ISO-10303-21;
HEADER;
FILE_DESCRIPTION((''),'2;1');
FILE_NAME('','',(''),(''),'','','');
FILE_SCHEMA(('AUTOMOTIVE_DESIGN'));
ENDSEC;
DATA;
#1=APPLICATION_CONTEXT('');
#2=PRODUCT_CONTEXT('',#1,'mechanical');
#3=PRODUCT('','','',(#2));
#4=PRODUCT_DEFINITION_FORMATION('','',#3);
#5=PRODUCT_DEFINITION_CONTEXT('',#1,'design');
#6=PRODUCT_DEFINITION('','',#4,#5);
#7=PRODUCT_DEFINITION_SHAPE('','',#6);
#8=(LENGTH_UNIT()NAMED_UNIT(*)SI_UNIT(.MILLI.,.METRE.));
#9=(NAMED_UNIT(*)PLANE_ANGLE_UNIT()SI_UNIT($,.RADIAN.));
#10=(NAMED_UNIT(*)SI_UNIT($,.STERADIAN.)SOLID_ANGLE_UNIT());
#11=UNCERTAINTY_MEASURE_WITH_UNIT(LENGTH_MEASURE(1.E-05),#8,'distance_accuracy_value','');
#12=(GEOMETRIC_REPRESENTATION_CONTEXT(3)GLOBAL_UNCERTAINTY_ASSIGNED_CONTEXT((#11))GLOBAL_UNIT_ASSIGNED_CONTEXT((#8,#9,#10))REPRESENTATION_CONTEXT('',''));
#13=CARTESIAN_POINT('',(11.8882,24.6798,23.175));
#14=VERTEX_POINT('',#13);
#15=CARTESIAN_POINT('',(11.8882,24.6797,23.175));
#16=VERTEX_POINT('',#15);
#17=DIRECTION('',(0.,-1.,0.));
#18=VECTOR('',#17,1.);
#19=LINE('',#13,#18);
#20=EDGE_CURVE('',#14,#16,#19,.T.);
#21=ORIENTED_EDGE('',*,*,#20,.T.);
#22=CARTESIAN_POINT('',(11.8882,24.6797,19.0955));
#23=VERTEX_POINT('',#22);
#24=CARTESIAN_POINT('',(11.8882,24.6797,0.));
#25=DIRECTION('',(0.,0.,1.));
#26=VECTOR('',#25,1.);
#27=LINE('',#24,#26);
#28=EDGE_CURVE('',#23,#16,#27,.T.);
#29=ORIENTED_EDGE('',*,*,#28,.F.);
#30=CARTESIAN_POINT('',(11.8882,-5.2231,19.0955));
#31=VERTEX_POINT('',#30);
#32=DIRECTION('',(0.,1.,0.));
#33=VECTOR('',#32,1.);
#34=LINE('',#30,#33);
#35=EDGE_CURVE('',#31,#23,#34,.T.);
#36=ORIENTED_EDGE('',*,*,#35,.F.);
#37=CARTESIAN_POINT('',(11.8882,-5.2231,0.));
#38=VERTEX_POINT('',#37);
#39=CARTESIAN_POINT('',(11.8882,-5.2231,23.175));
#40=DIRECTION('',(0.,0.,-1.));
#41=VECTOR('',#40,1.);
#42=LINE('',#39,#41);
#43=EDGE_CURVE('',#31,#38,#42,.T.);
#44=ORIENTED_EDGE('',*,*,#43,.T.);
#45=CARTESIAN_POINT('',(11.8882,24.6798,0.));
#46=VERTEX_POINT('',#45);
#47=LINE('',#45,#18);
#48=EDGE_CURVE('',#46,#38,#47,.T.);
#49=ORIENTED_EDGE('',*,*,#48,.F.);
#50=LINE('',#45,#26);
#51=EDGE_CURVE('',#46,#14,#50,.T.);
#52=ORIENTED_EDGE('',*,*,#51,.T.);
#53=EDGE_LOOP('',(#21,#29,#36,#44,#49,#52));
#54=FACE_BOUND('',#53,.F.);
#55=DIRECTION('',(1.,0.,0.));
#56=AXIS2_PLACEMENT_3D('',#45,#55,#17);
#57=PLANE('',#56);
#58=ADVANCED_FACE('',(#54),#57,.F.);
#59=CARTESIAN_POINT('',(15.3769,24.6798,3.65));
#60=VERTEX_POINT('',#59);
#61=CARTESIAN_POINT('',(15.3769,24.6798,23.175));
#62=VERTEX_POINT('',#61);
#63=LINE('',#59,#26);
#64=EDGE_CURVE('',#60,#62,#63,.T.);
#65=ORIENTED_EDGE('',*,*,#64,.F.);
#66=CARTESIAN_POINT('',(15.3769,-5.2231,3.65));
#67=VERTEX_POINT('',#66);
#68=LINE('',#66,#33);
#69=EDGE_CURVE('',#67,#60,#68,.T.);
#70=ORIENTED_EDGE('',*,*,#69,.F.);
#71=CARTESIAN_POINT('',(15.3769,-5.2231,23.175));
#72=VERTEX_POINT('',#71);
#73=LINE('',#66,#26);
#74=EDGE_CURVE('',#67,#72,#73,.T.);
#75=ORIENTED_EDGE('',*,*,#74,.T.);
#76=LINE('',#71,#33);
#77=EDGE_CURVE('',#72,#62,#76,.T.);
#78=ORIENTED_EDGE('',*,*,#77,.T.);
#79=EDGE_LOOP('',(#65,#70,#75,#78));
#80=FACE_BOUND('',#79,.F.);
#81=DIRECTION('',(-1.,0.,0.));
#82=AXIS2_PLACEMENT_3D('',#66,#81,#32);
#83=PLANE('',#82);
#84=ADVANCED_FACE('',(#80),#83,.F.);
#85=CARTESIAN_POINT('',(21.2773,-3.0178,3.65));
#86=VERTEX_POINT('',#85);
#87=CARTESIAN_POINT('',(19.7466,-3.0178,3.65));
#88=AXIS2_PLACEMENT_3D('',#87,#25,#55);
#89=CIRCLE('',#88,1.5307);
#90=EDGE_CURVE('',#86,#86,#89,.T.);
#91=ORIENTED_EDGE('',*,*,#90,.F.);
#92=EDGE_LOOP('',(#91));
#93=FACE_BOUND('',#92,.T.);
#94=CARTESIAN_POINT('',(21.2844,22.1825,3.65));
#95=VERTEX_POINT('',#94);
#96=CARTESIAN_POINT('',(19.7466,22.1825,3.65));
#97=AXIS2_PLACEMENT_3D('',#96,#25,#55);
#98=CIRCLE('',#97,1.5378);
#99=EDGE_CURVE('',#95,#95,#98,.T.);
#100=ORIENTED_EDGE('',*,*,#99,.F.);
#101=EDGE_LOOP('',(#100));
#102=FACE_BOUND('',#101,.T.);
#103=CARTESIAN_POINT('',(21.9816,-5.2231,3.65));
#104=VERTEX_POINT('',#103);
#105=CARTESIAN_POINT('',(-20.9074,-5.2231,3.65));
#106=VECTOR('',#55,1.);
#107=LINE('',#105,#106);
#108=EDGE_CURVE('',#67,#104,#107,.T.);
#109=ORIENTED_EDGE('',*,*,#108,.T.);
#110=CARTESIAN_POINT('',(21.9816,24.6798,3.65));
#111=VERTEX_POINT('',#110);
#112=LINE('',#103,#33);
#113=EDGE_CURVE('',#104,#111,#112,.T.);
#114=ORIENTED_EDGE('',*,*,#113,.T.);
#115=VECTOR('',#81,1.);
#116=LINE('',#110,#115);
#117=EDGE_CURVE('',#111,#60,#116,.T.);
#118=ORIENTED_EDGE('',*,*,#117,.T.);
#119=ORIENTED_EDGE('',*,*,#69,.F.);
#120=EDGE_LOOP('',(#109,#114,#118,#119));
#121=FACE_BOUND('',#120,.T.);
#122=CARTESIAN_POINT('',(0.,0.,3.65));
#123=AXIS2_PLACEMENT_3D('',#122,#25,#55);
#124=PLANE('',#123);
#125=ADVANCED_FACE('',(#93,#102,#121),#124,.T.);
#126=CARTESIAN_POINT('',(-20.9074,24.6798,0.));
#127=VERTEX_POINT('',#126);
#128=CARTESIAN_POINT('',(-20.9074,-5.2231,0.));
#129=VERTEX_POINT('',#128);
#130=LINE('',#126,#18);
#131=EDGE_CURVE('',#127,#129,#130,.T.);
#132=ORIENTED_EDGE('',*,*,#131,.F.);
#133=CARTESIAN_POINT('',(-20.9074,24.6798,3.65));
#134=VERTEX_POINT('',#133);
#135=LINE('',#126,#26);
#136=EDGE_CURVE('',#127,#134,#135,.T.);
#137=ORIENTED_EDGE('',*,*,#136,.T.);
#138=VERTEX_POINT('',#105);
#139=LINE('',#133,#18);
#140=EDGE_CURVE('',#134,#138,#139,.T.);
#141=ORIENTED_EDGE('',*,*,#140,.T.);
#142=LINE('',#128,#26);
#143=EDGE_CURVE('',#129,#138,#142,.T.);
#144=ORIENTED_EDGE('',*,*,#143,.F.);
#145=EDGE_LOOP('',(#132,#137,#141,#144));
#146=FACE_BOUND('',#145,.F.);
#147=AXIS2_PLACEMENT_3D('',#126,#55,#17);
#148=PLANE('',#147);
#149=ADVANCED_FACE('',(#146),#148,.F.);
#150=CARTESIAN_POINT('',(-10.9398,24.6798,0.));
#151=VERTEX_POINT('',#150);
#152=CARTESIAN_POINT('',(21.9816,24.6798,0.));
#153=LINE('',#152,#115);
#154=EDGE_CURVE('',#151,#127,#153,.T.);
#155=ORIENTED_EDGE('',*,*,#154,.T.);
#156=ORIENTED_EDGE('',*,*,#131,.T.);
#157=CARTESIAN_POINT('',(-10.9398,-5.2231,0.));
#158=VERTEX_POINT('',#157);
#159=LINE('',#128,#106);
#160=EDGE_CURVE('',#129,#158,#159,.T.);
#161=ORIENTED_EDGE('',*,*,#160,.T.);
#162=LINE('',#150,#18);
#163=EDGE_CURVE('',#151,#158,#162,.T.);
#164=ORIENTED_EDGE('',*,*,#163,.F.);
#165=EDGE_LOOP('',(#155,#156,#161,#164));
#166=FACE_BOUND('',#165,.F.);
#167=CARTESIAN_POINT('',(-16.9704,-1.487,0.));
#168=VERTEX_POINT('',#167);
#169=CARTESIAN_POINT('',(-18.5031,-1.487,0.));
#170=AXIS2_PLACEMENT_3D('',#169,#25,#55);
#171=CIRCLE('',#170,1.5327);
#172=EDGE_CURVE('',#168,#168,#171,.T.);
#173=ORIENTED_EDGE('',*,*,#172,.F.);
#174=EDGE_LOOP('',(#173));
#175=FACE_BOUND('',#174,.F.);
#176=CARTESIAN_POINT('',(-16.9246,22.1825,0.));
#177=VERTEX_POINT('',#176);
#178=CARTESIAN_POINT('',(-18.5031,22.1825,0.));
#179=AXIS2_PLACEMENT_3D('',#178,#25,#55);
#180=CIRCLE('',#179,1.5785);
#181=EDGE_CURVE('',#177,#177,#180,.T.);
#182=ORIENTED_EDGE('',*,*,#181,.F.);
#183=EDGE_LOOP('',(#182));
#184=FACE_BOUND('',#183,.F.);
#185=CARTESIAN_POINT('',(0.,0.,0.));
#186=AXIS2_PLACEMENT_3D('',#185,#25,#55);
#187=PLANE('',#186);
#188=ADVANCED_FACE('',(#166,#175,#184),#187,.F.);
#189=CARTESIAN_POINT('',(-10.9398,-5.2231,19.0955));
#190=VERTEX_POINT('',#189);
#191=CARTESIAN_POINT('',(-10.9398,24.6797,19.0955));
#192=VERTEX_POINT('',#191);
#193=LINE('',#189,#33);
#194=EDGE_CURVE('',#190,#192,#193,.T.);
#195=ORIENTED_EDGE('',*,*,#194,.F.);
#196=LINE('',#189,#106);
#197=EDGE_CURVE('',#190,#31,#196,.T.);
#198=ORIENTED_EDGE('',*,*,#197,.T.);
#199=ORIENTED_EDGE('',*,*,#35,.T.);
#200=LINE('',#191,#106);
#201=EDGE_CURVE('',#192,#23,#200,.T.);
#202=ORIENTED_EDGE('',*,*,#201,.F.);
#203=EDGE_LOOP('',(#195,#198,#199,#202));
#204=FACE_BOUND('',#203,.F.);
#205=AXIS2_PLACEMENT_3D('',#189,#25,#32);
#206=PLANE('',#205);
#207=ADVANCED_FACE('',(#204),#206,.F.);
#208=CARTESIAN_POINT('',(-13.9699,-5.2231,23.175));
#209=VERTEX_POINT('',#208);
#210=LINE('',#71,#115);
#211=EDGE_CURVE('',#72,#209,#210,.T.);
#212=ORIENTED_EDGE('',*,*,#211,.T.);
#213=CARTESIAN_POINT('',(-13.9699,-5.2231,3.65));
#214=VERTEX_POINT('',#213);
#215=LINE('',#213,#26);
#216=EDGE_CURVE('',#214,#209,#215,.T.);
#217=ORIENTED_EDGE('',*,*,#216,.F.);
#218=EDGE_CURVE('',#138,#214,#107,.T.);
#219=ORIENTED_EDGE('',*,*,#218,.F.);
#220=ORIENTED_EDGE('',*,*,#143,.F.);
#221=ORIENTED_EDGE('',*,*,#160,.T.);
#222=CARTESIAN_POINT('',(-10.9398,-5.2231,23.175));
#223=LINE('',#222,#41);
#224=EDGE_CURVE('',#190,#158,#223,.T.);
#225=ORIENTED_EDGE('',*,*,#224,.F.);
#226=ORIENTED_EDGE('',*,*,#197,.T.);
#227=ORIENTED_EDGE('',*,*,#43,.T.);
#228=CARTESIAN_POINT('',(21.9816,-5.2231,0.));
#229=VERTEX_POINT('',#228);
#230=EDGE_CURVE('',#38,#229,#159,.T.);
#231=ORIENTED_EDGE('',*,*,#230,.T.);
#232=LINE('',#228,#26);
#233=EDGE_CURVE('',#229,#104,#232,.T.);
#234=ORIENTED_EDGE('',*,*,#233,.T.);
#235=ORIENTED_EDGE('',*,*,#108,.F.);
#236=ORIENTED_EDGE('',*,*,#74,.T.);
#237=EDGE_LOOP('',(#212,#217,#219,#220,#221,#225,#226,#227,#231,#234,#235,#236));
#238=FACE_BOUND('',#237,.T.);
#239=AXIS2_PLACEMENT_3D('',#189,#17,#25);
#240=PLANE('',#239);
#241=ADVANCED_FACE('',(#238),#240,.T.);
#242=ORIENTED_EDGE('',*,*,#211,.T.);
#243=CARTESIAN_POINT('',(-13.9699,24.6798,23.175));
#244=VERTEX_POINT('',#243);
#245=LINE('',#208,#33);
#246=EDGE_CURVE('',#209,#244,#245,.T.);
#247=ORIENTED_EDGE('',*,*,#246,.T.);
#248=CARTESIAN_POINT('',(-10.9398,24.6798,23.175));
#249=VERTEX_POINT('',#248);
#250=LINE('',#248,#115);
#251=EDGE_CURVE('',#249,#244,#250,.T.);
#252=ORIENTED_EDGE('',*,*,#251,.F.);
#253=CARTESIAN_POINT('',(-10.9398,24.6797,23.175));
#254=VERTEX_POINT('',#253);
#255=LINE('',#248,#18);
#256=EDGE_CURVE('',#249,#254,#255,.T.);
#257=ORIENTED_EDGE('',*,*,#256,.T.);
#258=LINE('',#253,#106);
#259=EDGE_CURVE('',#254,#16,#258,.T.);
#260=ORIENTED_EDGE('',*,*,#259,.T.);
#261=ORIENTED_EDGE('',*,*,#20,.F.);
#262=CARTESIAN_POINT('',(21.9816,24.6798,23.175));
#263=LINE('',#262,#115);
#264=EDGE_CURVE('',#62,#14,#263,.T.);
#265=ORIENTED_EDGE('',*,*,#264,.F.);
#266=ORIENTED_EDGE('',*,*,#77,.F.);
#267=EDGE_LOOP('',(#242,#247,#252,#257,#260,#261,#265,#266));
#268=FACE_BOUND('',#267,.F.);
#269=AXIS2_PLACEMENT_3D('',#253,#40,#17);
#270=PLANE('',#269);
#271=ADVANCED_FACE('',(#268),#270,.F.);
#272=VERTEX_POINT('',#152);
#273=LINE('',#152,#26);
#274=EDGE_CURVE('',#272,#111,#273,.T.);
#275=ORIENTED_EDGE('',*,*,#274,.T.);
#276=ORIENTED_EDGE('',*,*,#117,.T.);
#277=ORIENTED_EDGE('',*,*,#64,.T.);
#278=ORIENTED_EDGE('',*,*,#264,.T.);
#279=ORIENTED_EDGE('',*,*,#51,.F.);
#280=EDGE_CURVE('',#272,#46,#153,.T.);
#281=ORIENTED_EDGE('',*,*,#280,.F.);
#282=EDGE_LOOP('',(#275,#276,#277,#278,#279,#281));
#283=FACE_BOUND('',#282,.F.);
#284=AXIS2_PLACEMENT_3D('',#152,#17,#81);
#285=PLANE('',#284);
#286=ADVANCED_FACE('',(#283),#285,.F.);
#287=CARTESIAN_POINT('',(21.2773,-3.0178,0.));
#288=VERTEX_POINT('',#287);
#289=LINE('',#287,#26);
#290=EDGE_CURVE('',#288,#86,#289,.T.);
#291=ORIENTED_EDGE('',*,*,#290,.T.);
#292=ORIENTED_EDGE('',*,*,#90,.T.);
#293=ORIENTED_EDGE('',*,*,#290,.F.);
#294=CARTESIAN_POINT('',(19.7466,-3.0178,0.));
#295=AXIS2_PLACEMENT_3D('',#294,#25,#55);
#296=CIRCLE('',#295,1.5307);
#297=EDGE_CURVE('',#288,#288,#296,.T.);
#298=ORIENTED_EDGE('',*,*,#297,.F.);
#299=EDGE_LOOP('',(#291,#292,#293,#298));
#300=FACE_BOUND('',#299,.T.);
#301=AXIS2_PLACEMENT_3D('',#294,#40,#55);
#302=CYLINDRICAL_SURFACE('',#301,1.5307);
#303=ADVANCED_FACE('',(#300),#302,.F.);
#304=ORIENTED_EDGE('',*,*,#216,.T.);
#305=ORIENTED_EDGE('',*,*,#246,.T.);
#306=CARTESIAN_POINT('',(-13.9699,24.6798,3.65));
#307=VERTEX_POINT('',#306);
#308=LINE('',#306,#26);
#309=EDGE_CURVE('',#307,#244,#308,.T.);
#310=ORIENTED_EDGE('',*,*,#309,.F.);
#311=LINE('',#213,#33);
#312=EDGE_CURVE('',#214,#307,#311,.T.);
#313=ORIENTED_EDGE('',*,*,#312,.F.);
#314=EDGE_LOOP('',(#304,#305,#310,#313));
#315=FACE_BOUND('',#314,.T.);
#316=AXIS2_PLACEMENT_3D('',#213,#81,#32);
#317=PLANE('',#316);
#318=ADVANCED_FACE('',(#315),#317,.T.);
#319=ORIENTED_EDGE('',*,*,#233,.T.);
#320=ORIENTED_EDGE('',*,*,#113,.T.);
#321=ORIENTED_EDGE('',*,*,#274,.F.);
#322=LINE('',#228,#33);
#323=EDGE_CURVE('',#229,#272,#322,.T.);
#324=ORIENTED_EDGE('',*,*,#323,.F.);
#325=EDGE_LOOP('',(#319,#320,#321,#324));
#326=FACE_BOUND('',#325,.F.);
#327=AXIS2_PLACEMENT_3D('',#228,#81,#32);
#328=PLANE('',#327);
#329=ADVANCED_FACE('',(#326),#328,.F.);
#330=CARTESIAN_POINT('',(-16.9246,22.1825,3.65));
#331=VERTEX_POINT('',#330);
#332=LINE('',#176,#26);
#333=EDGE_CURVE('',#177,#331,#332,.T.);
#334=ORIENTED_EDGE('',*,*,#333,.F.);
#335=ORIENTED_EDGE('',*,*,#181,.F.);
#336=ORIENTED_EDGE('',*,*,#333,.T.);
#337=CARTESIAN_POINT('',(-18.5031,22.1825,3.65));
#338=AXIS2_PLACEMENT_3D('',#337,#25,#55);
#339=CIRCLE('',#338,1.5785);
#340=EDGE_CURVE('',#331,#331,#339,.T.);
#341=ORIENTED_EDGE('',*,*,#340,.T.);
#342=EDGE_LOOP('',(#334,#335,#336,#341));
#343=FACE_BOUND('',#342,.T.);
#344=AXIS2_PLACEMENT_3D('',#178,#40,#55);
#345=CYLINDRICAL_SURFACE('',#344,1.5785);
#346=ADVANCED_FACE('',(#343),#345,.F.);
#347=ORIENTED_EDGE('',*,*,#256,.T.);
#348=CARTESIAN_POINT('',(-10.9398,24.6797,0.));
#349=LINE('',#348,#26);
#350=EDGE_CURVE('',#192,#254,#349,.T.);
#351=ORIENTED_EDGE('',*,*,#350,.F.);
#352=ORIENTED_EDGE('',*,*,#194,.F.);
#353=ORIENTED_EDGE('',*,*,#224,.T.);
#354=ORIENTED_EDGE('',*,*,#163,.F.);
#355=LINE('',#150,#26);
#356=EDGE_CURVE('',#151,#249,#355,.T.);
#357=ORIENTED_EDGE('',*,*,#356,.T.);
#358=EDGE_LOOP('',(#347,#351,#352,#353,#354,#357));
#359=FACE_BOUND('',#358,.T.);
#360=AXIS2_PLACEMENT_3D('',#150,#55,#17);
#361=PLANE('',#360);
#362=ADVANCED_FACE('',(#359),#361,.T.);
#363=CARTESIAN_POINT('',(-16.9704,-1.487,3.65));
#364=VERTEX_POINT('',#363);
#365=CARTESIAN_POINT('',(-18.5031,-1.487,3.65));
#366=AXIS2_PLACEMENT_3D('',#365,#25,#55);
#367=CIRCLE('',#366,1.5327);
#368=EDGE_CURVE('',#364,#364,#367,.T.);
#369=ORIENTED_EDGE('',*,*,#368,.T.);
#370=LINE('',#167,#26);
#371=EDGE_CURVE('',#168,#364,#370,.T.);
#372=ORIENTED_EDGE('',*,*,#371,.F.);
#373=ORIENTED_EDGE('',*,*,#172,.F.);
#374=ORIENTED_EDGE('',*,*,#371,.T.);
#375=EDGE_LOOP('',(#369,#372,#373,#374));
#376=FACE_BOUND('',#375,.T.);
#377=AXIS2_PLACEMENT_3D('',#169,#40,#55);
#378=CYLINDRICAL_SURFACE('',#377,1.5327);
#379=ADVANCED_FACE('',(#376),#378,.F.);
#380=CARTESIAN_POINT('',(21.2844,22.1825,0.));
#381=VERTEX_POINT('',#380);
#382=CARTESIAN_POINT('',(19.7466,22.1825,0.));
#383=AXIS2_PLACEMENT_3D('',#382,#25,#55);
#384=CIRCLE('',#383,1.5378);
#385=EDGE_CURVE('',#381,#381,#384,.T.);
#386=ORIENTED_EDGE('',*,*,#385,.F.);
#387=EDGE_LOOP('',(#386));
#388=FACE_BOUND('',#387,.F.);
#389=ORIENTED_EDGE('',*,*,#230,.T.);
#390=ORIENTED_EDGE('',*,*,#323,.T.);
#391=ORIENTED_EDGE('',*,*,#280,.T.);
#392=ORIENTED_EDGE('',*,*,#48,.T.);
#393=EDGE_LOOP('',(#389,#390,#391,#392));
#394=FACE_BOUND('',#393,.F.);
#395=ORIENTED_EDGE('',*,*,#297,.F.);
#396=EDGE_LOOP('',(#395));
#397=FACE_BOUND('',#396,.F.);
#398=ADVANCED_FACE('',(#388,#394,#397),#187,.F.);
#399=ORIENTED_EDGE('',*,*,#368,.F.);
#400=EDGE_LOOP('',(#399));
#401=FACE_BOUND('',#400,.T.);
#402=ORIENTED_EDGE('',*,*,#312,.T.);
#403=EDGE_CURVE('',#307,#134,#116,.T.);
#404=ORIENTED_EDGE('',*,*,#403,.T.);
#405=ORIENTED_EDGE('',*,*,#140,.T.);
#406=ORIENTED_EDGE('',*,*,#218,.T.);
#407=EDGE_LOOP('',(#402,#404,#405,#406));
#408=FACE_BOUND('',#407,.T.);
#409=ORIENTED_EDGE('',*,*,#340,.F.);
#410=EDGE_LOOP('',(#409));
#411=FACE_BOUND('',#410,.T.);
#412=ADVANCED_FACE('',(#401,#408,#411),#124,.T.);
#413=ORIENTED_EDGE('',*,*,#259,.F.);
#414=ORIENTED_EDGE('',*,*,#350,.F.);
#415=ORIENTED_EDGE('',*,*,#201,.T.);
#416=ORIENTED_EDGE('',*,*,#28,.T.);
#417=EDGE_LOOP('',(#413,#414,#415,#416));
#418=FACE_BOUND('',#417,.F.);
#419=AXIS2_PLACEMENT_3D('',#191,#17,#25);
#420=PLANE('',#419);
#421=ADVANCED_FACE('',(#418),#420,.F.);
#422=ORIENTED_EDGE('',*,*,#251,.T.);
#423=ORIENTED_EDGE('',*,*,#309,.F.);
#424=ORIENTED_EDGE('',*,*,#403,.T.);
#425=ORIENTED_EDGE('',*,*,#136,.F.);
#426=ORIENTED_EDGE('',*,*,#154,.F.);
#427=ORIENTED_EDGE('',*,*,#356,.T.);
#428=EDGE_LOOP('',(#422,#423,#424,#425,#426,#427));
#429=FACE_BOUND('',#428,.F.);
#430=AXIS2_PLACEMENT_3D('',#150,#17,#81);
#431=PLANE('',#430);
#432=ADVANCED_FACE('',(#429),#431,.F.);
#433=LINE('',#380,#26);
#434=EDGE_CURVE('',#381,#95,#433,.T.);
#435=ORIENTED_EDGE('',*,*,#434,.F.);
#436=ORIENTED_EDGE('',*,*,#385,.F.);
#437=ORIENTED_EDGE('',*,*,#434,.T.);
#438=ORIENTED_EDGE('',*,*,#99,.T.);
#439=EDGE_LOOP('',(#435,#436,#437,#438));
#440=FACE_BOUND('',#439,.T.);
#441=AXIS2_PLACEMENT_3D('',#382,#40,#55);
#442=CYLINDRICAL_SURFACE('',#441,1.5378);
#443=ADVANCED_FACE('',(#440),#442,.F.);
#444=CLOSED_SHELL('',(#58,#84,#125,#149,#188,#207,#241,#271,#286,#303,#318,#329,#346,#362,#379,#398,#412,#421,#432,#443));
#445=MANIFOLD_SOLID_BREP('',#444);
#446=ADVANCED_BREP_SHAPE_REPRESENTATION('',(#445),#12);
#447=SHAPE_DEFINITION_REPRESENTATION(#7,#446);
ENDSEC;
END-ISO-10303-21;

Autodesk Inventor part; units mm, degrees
ref_plane "YZ Plane" through (0, 0, 0) normal (1, 0, 0) x (0, 1, 0)
ref_plane "XZ Plane" through (0, 0, 0) normal (0, 1, 0) x (-1, 0, 0)
ref_plane "XY Plane" through (0, 0, 0) normal (0, 0, 1) x (1, 0, 0)
ref_plane "Work Plane1" through (0, 0, 0) normal (0, 0, 1) x (1, 0, 0)
sketch "Sketch1" plane through (0, 0, 0) normal (0, 0, 1) x (1, 0, 0)
  line L0 (21.9816, 24.6798) -> (-20.9074, 24.6798)
  line L1 (-20.9074, 24.6798) -> (-20.9074, -5.2231)
  line L2 (-20.9074, -5.2231) -> (21.9816, -5.2231)
  line L3 (21.9816, -5.2231) -> (21.9816, 24.6798)
  line L4 (-10.9398, 24.6798) -> (-10.9398, -5.2231)
  line L5 (11.8882, 24.6798) -> (11.8882, -5.2231)
  circle A0 centre (19.7466, 22.1825) radius 1.5378
  circle A1 centre (19.7466, -3.0178) radius 1.5307
  circle A2 centre (-18.5031, -1.487) radius 1.5327
  circle A3 centre (-18.5031, 22.1825) radius 1.5785
  point P0 (0, 0)
ref_plane "Work Plane2" through (0, 0, 0) normal (0, 0, 1) x (1, 0, 0)
extrude "Extrusion1" add sketch "Sketch1" along normal blind 3.65 contours L3 L2 L5 L0 | L4 L2 L1 L0
sketch "Sketch3" plane through (0, 0, 3.65) normal (0, 0, 1) x (1, 0, 0)
  line L0 (11.8882, 24.6798) -> (11.8882, -5.2231) projected
  line L1 (21.9816, 24.6798) -> (11.8882, 24.6798) projected
  line L2 (11.8882, -5.2231) -> (15.3769, -5.2231)
  line L3 (15.3769, -5.2231) -> (15.3769, 24.6798)
  line L4 (15.3769, 24.6798) -> (11.8882, 24.6798)
  line L5 (11.8882, 24.6798) -> (11.8882, -5.2231)
  line L6 (-10.9398, 24.6798) -> (-20.9074, 24.6798) projected
  line L7 (-10.9398, -5.2231) -> (-13.9699, -5.2231)
  line L8 (-13.9699, -5.2231) -> (-13.9699, 24.6798)
  line L9 (-13.9699, 24.6798) -> (-10.9398, 24.6798)
  line L10 (-10.9398, 24.6798) -> (-10.9398, -5.2231)
  point P0 (0, 0)
extrude "Extrusion2" add sketch "Sketch3" along normal blind 19.525
sketch "Sketch4" plane through (-10.9398, -5.2231, 0) normal (1, 0, 0) x (0, 0, -1)
  line L0 (0, 0) -> (-23.175, 0) projected
  line L1 (0, 29.9028) -> (-23.175, 29.9028) projected
  line L2 (-23.175, 0) -> (-19.0955, 0)
  line L3 (-19.0955, 0) -> (-19.0955, 29.9028)
  line L4 (-19.0955, 29.9028) -> (-23.175, 29.9028)
  line L5 (-23.175, 29.9028) -> (-23.175, 0)
  point P0 (0, 5.2231)
extrude "Extrusion3" add sketch "Sketch4" along normal up to surface (22.828 mm away)
properties part number "MotorLock"
